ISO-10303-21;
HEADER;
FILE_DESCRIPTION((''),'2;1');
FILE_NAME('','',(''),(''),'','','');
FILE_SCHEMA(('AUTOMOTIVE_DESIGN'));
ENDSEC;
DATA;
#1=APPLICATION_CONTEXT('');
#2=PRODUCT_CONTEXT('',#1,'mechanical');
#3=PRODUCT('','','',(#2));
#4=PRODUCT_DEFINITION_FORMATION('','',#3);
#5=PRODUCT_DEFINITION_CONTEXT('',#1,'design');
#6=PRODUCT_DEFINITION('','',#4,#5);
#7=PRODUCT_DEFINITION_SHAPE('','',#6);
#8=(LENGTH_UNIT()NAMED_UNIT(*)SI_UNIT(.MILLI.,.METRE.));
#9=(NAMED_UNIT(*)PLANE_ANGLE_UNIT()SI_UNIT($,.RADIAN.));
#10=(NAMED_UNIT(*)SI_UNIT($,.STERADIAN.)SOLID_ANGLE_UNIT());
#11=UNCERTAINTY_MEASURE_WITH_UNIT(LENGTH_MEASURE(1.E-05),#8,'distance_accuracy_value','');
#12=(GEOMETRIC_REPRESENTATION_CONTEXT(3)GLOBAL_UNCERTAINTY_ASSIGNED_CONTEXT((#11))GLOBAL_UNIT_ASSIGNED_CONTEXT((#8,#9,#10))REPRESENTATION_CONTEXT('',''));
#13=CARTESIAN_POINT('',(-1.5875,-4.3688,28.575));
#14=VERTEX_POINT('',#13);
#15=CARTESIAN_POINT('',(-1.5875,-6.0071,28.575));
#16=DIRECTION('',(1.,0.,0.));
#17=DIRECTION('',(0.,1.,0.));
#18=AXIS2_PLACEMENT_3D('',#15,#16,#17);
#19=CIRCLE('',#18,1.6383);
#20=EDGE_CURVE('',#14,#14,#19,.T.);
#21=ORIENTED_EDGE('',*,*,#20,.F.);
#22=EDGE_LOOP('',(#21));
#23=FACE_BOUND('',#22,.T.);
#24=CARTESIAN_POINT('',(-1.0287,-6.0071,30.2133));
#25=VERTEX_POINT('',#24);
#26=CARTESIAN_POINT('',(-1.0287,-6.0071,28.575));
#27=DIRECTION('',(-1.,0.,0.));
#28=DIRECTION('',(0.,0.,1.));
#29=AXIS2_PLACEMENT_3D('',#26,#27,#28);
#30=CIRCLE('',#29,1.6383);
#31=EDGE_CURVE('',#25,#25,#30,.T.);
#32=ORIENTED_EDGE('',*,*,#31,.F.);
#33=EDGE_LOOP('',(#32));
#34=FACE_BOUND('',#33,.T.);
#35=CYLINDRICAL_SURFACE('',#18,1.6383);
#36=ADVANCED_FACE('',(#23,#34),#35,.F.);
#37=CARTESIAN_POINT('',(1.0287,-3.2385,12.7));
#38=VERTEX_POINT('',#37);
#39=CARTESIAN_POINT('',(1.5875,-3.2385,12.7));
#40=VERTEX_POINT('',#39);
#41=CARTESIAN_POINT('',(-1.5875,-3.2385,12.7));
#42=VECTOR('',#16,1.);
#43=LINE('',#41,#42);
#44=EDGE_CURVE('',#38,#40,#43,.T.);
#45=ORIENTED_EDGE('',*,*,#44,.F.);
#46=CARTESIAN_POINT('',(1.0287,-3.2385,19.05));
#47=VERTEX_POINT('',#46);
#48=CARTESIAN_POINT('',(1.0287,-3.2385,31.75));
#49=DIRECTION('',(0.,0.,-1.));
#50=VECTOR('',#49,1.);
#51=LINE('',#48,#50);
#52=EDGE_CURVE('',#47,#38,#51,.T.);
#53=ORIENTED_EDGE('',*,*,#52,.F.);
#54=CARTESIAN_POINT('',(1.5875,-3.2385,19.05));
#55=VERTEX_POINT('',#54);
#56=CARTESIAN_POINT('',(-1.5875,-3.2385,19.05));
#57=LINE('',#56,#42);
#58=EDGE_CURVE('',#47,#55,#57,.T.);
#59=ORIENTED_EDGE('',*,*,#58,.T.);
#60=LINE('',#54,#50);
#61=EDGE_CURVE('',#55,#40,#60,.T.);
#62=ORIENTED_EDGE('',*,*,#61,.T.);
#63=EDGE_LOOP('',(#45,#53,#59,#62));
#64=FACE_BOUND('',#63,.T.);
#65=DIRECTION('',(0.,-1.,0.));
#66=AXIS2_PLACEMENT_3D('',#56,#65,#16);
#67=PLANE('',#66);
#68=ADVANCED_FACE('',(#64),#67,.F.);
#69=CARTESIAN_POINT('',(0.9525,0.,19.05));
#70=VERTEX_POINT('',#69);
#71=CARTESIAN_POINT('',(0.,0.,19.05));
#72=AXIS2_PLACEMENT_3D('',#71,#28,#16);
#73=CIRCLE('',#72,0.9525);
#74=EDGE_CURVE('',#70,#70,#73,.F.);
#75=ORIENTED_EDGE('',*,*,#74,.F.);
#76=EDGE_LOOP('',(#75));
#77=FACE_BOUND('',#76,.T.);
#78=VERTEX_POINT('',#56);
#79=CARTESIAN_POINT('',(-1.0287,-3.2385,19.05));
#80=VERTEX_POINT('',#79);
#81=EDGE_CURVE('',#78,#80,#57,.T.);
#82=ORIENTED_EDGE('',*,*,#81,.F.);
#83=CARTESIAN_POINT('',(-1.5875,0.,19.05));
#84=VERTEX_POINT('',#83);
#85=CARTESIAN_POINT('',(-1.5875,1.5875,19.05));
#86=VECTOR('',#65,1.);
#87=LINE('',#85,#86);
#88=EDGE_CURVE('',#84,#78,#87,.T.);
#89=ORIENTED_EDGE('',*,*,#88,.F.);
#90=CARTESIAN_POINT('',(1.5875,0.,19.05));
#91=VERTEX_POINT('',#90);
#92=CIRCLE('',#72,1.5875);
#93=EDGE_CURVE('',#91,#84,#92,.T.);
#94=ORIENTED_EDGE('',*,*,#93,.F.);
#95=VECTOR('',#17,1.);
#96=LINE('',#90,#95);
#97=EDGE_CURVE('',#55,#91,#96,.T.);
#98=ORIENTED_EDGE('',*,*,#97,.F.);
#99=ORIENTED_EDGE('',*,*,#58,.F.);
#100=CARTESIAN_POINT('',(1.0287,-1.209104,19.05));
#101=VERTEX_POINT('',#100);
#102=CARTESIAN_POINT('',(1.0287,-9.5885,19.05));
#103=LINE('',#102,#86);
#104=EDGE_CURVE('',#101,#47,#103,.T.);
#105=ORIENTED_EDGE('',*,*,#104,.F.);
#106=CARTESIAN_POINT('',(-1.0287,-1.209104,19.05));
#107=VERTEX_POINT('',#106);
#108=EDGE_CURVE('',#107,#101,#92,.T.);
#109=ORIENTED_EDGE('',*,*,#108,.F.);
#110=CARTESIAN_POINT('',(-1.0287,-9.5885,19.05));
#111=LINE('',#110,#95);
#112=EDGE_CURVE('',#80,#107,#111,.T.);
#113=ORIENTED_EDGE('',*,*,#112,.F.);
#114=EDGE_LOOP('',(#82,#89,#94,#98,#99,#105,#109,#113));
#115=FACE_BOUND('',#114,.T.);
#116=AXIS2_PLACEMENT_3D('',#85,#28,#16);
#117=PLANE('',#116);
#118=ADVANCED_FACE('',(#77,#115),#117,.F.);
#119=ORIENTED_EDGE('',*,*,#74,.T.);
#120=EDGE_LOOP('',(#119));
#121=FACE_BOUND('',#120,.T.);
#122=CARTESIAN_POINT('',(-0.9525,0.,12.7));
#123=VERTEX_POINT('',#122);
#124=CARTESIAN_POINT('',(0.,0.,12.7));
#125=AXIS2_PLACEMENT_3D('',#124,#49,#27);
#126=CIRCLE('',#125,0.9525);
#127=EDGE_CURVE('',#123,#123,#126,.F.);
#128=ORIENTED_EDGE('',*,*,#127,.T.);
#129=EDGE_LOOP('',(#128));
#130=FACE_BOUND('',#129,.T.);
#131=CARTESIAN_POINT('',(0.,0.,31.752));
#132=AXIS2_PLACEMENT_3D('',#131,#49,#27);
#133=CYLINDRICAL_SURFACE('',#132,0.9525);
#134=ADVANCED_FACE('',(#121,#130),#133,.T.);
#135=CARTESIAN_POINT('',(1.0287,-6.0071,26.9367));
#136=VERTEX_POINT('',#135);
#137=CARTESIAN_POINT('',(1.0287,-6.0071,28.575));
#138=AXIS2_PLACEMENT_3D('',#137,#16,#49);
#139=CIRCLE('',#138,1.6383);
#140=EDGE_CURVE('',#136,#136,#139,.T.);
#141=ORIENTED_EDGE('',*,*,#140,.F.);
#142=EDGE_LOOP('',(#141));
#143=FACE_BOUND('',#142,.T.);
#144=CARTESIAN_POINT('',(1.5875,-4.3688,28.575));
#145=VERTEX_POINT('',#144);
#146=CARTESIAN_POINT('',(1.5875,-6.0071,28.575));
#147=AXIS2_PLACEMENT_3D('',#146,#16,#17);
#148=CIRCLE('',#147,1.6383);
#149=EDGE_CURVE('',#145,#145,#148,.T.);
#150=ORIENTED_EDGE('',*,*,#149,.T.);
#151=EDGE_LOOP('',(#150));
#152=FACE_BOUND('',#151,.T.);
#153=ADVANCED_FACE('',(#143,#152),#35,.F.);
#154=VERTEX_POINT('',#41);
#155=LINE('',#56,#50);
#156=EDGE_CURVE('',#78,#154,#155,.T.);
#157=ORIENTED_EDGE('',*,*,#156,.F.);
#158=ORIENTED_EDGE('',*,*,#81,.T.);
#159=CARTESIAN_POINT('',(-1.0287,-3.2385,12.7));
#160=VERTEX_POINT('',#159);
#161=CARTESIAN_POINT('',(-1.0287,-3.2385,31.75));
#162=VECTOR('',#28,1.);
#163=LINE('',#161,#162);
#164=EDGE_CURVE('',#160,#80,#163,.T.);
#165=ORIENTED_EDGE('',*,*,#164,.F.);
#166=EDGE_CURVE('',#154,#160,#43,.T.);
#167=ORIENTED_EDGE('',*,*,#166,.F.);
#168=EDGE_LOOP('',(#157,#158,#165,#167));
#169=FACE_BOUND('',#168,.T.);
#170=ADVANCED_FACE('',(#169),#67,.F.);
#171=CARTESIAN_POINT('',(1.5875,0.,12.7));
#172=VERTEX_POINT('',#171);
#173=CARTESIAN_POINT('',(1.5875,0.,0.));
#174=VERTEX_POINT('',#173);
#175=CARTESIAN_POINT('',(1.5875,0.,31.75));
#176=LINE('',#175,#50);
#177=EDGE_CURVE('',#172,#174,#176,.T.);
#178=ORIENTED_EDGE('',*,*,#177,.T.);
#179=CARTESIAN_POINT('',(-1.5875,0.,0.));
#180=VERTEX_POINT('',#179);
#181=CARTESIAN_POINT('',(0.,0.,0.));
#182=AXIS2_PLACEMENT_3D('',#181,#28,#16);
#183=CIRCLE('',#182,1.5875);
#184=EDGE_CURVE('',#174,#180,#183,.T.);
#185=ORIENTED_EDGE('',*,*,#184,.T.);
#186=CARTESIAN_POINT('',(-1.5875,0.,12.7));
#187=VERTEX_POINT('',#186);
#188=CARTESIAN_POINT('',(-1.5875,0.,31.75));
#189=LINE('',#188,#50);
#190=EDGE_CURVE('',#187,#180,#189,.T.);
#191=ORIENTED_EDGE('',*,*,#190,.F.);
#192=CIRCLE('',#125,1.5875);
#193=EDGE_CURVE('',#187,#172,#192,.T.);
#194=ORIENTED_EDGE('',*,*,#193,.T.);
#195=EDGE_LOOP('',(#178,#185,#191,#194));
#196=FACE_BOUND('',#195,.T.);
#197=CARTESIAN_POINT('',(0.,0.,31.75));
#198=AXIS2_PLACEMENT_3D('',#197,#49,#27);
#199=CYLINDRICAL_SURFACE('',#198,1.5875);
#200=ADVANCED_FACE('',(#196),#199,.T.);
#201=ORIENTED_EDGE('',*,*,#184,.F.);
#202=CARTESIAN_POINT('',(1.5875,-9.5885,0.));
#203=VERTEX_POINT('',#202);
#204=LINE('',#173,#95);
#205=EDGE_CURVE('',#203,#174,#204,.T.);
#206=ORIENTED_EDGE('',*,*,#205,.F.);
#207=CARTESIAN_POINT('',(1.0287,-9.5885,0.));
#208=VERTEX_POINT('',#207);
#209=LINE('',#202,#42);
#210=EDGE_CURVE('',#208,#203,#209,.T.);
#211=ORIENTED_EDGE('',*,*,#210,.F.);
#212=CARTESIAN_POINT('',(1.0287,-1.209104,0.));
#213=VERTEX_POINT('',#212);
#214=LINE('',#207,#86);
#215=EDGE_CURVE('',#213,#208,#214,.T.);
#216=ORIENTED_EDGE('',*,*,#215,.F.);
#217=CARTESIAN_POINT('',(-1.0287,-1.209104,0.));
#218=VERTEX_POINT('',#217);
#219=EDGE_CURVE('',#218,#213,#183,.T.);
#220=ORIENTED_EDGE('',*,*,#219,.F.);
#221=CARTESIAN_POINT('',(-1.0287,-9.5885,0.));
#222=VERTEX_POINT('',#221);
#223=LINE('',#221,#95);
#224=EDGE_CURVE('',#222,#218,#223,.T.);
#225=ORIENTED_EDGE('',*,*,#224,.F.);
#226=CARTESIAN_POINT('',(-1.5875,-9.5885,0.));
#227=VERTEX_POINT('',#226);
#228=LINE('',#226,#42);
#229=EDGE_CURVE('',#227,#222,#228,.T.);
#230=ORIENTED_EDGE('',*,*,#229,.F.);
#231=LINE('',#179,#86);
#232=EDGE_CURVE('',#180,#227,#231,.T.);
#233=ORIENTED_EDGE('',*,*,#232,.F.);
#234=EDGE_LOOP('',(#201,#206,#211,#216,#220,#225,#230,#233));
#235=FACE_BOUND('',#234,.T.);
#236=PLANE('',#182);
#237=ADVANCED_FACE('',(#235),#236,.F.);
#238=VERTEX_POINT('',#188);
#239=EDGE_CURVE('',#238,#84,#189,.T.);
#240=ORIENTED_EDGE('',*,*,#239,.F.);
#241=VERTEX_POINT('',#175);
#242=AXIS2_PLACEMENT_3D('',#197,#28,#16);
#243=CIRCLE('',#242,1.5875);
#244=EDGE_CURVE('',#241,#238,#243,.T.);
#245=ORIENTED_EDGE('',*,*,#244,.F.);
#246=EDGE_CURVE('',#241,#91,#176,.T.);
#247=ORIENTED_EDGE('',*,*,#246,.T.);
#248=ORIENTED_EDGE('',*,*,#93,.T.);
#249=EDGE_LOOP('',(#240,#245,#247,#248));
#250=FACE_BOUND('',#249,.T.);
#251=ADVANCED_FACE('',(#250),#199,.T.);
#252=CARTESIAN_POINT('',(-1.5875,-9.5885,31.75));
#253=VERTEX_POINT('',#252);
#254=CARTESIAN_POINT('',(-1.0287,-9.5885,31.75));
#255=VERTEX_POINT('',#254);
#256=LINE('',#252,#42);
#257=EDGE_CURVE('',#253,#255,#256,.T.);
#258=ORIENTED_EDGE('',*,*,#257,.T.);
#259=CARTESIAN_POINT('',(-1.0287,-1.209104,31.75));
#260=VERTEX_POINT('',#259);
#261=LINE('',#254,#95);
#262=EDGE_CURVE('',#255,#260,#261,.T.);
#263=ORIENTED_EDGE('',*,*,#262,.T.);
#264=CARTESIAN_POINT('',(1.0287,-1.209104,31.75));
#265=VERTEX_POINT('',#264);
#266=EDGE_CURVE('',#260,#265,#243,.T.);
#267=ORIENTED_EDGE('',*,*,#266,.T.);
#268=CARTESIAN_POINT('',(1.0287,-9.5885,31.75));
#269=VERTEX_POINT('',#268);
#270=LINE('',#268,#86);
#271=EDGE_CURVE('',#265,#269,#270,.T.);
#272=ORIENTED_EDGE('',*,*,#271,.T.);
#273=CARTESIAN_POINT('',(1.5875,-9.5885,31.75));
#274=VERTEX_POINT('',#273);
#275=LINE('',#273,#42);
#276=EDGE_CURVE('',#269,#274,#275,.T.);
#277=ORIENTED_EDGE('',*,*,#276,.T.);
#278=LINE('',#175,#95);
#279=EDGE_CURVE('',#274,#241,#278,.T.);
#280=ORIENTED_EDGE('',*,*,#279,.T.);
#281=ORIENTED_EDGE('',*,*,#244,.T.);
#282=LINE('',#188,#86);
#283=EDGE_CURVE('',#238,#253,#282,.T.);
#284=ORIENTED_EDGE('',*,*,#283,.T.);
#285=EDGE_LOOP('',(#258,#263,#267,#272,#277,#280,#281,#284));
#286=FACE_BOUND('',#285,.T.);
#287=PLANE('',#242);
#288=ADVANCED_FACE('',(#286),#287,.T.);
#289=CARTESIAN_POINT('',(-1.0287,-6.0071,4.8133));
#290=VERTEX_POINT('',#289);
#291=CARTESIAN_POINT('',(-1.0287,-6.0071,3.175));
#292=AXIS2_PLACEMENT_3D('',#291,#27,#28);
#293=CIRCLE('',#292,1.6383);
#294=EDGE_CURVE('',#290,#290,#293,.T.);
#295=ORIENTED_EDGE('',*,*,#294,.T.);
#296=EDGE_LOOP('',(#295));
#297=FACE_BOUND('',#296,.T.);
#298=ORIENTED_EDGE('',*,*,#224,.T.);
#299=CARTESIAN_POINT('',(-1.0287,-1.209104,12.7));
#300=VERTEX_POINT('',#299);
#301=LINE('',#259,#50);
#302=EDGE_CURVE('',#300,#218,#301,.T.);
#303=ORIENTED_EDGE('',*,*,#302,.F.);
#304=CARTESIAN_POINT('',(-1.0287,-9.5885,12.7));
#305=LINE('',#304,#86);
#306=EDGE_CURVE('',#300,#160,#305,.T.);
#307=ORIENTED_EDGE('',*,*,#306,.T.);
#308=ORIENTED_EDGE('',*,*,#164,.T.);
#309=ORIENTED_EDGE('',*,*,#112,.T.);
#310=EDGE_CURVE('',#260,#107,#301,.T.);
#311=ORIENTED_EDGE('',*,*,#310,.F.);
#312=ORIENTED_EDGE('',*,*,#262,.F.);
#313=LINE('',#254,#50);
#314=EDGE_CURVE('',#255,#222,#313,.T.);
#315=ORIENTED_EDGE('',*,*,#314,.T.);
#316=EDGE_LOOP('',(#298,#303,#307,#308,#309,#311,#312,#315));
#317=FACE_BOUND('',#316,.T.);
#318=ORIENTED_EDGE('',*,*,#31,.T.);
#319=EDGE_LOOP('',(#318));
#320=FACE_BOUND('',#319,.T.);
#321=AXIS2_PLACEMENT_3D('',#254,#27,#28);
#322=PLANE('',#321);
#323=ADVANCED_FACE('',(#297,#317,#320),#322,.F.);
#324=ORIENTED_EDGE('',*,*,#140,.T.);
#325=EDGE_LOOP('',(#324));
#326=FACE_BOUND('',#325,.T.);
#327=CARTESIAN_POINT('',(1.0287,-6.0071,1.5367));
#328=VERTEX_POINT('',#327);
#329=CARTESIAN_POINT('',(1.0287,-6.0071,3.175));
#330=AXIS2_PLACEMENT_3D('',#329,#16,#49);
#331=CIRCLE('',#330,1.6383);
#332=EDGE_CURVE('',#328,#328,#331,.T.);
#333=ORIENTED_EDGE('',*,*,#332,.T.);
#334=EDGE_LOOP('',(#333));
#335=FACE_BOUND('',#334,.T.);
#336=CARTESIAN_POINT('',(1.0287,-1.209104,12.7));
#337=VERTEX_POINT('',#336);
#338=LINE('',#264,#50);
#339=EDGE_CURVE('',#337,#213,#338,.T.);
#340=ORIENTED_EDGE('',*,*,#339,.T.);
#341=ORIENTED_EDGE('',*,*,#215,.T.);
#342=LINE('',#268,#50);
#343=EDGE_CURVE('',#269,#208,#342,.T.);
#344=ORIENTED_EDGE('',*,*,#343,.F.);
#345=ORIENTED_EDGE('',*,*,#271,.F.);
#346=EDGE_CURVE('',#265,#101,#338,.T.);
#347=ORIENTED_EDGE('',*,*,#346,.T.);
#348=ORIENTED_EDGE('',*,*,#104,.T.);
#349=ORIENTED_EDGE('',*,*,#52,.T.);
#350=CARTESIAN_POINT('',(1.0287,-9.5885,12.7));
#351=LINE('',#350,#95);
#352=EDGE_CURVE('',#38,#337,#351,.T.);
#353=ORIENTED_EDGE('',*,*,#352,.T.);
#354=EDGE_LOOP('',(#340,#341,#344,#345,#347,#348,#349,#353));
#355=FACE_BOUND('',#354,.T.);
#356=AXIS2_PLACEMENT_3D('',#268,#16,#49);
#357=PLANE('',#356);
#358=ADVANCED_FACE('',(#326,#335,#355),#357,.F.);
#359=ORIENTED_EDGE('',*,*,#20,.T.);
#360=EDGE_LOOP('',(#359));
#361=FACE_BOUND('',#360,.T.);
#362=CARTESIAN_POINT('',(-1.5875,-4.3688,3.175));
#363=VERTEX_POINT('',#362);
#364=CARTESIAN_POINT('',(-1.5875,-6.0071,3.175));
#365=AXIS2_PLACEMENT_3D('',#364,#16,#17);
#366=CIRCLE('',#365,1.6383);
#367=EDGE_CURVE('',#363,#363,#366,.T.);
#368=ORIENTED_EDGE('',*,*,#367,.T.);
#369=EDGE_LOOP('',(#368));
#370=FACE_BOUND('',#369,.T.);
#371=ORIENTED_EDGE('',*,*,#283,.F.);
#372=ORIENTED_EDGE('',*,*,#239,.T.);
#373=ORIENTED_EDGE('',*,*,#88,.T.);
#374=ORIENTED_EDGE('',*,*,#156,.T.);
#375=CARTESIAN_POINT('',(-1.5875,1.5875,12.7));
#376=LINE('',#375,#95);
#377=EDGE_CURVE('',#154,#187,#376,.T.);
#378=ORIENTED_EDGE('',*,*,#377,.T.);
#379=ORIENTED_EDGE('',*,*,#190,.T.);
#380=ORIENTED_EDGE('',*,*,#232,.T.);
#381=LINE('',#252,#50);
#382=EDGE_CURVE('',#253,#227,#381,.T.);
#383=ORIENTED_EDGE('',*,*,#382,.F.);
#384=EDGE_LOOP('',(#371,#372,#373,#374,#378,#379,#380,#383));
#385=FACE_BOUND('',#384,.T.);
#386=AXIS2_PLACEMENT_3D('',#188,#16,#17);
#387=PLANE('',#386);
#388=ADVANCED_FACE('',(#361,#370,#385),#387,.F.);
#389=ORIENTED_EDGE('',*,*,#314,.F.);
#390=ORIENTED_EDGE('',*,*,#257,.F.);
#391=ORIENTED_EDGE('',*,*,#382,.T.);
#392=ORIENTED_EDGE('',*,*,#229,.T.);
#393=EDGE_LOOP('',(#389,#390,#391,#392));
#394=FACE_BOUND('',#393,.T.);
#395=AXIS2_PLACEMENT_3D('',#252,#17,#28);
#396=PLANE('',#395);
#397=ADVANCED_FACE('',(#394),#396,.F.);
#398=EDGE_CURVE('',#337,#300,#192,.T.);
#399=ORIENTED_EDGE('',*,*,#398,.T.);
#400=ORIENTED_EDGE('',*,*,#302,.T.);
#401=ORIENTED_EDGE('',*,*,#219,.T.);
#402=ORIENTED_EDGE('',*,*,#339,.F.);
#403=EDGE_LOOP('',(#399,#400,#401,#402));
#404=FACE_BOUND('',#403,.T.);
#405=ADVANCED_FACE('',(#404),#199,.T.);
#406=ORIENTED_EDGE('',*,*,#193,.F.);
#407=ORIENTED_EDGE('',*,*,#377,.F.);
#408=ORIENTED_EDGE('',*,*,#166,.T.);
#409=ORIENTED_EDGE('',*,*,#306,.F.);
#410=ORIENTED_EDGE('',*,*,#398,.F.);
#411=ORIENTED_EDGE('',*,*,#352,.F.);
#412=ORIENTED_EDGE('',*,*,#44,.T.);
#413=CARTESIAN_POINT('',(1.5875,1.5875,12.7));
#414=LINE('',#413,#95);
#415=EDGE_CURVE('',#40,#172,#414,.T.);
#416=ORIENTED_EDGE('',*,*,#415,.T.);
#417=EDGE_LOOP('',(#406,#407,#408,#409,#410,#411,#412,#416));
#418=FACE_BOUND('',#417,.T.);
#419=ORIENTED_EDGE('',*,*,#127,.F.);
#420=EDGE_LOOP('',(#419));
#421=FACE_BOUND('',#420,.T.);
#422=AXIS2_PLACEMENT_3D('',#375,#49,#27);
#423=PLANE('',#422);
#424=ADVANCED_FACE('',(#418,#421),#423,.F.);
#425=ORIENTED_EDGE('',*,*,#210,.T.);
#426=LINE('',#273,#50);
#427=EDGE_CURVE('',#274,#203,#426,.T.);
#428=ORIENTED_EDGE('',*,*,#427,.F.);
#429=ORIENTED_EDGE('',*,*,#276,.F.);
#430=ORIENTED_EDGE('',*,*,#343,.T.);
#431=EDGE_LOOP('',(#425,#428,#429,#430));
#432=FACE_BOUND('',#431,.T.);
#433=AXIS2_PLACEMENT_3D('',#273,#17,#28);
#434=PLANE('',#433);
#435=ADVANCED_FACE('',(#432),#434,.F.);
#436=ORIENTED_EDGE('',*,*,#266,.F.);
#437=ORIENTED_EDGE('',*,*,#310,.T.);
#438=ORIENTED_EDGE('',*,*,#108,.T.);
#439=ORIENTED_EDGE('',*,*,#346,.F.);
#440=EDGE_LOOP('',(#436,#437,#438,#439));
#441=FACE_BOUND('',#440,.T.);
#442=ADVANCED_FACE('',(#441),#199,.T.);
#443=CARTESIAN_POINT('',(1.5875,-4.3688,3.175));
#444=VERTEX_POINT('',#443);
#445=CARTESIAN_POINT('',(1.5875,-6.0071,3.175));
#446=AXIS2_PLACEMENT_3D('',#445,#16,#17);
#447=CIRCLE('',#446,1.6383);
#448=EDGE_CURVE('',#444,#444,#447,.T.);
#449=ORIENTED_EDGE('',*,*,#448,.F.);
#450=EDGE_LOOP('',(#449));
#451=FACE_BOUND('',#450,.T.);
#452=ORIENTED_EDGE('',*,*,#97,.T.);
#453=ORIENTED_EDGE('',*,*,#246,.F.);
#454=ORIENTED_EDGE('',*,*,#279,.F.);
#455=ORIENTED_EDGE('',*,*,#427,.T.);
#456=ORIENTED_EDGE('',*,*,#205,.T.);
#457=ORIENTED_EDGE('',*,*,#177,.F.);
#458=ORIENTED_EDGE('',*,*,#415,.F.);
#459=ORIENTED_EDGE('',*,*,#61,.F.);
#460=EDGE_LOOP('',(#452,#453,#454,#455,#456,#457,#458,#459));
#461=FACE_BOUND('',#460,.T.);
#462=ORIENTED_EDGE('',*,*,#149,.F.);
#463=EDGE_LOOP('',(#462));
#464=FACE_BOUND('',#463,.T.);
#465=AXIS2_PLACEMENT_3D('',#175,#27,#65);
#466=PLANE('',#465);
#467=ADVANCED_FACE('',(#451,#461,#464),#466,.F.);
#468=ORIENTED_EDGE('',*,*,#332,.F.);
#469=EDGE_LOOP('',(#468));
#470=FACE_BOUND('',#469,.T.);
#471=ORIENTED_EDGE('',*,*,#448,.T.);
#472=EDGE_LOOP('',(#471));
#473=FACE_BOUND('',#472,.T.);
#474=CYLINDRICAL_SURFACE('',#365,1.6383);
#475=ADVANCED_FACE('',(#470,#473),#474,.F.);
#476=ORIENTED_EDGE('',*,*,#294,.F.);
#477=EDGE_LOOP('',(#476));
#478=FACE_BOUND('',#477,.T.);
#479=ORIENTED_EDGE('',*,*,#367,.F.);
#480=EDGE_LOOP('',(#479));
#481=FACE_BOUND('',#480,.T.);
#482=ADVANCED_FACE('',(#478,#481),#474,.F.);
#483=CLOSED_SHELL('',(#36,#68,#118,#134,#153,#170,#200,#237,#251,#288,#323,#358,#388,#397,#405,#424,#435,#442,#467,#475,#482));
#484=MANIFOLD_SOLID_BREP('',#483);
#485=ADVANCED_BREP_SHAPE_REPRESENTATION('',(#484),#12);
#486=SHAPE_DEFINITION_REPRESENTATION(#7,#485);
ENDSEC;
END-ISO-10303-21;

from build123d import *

# Parameters (mm, degrees)
BOSS_EXTRUDE1_DEPTH = 31.75
SKETCH2_R           = 1.6383
SKETCH2_W           = 6.35
SKETCH2_H           = 4.826
CUT_EXTRUDE1_DEPTH  = 4.175
BOSS_EXTRUDE2_REACH = 21.05
SKETCH3_R           = 0.9525


with BuildPart() as part:
    # Sketch1 → Boss-Extrude1 (new body)
    with BuildSketch(Plane.XY):
        with BuildLine():
            Line((1.5875, 0), (1.5875, -9.5885))
            Line((1.5875, -9.5885), (1.0287, -9.5885))
            Line((1.0287, -9.5885), (1.0287, -1.209104032))
            ThreePointArc((1.0287, -1.209104032), (0, -1.5875), (-1.0287, -1.209104032))
            Line((-1.0287, -1.209104032), (-1.0287, -9.5885))
            Line((-1.0287, -9.5885), (-1.5875, -9.5885))
            Line((-1.5875, -9.5885), (-1.5875, 0))
            ThreePointArc((-1.5875, 0), (0, 1.5875), (1.5875, 0))
        make_face()
    extrude(amount=BOSS_EXTRUDE1_DEPTH)

    # Sketch2 → Cut-Extrude1 (cut, through all)
    with BuildSketch(Plane(origin=(1.5875, 0, 0), x_dir=(0, 0, -1), z_dir=(1, 0, 0))):
        with Locations((-28.575, -6.0071)):
            Circle(SKETCH2_R)
        with Locations((-3.175, -6.0071)):
            Circle(SKETCH2_R)
        with Locations((-15.875, -0.8255)):
            Rectangle(SKETCH2_W, SKETCH2_H)
    extrude(amount=-CUT_EXTRUDE1_DEPTH, mode=Mode.SUBTRACT)

    # Sketch3 → Boss-Extrude2 (add, up to next)
    with BuildSketch(Plane.XY.offset(12.7), mode=Mode.PRIVATE) as boss_extrude2_sk1:
        Circle(SKETCH3_R)
    boss_extrude2_tool1 = extrude(boss_extrude2_sk1.sketch, amount=BOSS_EXTRUDE2_REACH, mode=Mode.PRIVATE) - part.part
    add(boss_extrude2_tool1.solids().sort_by_distance((0, 0, 12.7))[0])


solid = part.part
